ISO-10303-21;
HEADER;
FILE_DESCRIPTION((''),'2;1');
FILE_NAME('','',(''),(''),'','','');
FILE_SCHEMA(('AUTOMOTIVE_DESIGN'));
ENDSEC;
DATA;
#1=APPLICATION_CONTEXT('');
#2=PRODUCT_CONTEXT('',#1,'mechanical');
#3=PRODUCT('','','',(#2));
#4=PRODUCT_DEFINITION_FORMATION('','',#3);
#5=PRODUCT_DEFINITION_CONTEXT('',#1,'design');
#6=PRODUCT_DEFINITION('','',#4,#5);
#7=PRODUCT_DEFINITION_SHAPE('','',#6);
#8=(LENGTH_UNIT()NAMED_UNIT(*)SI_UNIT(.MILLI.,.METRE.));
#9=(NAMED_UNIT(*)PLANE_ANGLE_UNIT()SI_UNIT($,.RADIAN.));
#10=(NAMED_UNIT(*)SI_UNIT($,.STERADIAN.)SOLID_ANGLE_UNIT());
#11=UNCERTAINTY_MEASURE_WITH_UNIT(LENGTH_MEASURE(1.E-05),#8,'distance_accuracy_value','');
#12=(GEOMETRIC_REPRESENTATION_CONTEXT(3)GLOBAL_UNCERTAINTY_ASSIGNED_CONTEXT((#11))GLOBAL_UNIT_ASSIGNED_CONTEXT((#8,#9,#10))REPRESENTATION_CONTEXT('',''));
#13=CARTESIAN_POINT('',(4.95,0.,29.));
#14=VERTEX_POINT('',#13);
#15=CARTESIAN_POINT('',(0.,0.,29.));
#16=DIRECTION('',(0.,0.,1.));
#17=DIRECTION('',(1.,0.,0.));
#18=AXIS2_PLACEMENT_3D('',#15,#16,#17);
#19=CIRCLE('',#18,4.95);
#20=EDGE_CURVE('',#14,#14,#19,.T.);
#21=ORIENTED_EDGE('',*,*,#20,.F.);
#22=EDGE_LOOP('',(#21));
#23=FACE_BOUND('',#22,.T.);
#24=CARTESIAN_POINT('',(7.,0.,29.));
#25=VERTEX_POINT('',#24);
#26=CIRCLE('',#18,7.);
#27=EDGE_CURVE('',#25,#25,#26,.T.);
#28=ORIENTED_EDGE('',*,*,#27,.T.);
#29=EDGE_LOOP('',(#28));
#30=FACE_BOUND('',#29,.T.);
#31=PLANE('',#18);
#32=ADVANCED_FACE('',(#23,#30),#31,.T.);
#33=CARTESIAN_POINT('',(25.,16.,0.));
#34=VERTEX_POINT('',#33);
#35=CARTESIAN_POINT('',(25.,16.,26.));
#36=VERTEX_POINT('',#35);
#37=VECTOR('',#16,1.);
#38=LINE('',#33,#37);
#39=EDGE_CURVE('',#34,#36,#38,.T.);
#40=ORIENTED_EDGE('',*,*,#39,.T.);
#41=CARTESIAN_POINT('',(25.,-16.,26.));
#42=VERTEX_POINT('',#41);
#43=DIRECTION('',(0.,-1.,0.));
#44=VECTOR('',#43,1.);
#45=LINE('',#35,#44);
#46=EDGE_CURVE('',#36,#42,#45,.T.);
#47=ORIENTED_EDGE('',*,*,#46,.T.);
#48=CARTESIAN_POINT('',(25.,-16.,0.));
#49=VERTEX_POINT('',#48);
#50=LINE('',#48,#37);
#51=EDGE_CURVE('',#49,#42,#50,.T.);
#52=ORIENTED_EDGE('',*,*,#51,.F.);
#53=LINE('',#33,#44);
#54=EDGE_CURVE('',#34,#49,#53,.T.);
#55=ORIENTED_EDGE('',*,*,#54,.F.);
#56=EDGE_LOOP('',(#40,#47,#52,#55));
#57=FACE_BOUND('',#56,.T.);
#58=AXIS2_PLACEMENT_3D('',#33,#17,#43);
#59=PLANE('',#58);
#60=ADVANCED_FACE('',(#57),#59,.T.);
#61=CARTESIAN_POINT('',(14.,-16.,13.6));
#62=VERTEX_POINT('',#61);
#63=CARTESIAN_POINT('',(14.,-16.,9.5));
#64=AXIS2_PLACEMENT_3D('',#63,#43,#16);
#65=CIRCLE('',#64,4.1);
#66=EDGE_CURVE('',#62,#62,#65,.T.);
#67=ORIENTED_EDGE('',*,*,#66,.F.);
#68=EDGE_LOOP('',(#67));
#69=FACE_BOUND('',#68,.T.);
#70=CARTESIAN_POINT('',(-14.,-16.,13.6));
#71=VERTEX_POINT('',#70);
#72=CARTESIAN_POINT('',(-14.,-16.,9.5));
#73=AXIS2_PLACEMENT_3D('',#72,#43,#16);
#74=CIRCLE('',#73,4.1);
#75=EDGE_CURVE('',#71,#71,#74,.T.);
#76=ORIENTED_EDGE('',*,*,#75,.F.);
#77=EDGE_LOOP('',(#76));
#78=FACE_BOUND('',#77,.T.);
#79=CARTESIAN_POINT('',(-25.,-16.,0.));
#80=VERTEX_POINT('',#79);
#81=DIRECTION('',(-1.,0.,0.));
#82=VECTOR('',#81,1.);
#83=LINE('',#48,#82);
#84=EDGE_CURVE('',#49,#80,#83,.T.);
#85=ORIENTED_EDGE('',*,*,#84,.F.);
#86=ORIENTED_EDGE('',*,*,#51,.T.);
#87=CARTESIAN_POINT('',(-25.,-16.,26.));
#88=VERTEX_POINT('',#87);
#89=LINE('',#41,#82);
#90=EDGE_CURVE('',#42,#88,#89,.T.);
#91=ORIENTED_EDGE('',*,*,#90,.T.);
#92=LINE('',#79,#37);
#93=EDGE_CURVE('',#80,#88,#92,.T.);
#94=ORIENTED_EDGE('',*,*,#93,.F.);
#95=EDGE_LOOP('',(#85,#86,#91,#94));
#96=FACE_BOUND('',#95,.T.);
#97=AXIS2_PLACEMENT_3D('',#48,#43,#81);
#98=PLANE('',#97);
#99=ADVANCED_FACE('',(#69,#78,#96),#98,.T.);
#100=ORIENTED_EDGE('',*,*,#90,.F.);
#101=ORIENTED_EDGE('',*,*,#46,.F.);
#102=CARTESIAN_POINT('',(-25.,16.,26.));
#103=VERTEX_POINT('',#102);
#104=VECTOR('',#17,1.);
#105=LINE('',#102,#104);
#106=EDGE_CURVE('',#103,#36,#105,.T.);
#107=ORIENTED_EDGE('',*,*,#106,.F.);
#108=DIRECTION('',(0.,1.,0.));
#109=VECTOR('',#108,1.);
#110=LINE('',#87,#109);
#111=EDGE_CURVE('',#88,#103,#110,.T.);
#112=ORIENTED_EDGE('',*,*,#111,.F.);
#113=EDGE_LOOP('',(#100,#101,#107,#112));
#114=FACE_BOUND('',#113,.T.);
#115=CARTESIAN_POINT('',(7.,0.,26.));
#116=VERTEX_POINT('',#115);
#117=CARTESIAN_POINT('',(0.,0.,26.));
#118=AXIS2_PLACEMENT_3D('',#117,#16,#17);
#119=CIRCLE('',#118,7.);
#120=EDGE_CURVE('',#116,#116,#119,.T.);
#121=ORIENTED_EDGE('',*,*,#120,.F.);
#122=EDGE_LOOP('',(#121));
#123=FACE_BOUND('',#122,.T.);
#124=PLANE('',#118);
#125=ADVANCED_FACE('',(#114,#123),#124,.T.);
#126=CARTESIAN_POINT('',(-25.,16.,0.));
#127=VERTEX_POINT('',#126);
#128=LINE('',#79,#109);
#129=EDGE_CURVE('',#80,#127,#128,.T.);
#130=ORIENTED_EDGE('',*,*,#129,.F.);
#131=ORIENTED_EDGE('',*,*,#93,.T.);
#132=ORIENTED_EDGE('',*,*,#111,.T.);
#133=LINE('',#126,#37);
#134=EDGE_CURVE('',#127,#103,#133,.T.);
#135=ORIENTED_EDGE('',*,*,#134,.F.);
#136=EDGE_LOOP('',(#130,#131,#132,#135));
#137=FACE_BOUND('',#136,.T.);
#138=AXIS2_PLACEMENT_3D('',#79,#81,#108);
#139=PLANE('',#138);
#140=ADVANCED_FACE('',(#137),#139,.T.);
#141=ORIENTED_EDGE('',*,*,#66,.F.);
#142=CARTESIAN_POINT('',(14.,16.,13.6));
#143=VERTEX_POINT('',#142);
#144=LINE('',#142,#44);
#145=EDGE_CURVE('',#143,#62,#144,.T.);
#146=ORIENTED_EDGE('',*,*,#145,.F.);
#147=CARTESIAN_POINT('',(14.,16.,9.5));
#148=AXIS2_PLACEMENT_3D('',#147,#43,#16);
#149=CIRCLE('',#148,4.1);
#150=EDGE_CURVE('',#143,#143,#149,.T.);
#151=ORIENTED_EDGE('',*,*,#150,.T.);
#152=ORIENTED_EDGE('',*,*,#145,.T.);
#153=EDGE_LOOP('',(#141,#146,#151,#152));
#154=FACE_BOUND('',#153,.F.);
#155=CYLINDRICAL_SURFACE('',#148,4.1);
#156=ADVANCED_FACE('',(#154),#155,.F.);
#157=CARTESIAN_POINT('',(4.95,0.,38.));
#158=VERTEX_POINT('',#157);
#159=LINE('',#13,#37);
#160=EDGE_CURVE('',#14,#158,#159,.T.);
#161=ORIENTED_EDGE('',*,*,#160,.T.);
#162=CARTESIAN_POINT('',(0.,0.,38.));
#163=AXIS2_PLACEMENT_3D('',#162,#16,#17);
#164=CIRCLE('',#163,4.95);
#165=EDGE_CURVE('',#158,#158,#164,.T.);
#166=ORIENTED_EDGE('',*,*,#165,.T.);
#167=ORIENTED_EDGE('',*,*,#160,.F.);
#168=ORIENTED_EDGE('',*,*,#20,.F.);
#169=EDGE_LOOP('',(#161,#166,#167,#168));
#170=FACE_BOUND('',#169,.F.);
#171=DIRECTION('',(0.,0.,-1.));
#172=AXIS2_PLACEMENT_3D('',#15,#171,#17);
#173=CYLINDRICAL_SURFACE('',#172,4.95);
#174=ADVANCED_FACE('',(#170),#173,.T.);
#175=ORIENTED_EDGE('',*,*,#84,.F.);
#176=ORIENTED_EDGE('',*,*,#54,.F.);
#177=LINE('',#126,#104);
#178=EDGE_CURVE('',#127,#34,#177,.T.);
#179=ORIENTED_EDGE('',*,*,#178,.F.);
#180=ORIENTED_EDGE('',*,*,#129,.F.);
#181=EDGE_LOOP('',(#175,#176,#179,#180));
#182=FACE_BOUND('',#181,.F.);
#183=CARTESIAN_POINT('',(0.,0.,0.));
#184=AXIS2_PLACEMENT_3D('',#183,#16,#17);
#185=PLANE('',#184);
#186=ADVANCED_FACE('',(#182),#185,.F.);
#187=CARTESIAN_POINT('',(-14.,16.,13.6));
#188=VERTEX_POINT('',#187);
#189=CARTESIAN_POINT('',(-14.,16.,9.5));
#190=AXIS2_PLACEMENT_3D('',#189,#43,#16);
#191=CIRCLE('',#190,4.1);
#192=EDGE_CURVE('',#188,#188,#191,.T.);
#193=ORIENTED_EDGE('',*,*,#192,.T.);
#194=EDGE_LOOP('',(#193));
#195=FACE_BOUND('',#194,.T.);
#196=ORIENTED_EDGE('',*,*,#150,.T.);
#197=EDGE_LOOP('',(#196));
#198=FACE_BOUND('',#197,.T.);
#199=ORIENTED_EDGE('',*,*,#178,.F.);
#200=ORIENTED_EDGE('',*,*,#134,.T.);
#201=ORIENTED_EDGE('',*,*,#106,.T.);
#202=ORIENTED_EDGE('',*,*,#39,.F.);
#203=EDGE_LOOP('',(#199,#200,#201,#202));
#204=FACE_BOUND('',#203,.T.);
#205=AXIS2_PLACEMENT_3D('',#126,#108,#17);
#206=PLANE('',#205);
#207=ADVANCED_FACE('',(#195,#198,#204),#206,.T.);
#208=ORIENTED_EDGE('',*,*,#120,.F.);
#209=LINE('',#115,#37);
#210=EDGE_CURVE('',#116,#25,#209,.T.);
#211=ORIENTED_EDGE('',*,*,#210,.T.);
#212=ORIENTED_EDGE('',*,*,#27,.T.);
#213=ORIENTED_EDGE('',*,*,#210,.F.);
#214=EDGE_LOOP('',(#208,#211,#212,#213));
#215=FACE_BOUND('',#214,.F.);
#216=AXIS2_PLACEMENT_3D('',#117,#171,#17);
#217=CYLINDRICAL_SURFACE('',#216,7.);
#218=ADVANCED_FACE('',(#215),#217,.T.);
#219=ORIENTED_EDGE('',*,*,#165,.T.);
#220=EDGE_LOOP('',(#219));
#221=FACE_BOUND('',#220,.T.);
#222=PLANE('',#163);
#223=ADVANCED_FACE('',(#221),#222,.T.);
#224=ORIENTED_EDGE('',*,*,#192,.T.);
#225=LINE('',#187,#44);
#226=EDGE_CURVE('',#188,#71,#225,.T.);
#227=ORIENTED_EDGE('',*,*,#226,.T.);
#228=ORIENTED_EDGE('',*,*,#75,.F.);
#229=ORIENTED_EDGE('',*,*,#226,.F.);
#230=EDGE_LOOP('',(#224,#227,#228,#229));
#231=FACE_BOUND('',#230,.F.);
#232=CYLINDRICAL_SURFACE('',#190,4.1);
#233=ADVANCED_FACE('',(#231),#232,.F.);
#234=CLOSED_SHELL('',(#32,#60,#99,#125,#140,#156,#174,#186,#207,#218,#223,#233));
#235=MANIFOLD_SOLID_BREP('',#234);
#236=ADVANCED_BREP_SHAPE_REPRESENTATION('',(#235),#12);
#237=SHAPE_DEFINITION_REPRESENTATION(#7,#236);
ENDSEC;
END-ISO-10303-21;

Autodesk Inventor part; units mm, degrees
ref_plane "YZ Plane" through (0, 0, 0) normal (1, 0, 0) x (0, 1, 0)
ref_plane "XZ Plane" through (0, 0, 0) normal (0, 1, 0) x (-1, 0, 0)
ref_plane "XY Plane" through (0, 0, 0) normal (0, 0, 1) x (1, 0, 0)
sketch "Sketch2" plane through (0, 0, 0) normal (0, 0, 1) x (1, 0, 0)
  line L0 (-25, 16) -> (25, 16)
  line L1 (25, 16) -> (25, -16)
  line L2 (25, -16) -> (-25, -16)
  line L3 (-25, -16) -> (-25, 16)
  line L4 (-25, 16) -> (25, -16) construction
  line L5 (25, 16) -> (-25, -16) construction
  point P0 (0, 0)
  dimension "d4" = 32
  dimension "d5" = 50
extrude "Extrusion1" add sketch "Sketch2" along normal blind 26
sketch "Sketch3" plane through (0, 0, 26) normal (0, 0, 1) x (1, 0, 0)
  circle A0 centre (0, 0) radius 7
  dimension "d8" = 14
extrude "Extrusion2" add sketch "Sketch3" along normal blind 3
sketch "Sketch4" plane through (0, 0, 29) normal (0, 0, 1) x (1, 0, 0)
  circle A0 centre (0, 0) radius 4.95
  dimension "d11" = 9.9
extrude "Extrusion3" add sketch "Sketch4" along normal blind 9
sketch "Sketch6" plane through (-25, 16, 0) normal (0, 1, 0) x (1, 0, 0)
  line L0 (11, -9.5) -> (0, -9.5) construction
  line L1 (0, 0) -> (0, -26) projected
  line L2 (39, -9.5) -> (50, -9.5) construction
  line L3 (50, 0) -> (50, -26) projected
  line L4 (50, 0) -> (0, 0) projected
  point P0 (25, 0)
  point P1 (44.5, -9.5)
  dimension "d29" = 28
  dimension "d30" = 9.5
hole "Hole3" at (-14, 16, 9.5) at (14, 16, 9.5) direction (0, -1, 0) diameter 8.2 end through all
properties part number "13042026-03"
